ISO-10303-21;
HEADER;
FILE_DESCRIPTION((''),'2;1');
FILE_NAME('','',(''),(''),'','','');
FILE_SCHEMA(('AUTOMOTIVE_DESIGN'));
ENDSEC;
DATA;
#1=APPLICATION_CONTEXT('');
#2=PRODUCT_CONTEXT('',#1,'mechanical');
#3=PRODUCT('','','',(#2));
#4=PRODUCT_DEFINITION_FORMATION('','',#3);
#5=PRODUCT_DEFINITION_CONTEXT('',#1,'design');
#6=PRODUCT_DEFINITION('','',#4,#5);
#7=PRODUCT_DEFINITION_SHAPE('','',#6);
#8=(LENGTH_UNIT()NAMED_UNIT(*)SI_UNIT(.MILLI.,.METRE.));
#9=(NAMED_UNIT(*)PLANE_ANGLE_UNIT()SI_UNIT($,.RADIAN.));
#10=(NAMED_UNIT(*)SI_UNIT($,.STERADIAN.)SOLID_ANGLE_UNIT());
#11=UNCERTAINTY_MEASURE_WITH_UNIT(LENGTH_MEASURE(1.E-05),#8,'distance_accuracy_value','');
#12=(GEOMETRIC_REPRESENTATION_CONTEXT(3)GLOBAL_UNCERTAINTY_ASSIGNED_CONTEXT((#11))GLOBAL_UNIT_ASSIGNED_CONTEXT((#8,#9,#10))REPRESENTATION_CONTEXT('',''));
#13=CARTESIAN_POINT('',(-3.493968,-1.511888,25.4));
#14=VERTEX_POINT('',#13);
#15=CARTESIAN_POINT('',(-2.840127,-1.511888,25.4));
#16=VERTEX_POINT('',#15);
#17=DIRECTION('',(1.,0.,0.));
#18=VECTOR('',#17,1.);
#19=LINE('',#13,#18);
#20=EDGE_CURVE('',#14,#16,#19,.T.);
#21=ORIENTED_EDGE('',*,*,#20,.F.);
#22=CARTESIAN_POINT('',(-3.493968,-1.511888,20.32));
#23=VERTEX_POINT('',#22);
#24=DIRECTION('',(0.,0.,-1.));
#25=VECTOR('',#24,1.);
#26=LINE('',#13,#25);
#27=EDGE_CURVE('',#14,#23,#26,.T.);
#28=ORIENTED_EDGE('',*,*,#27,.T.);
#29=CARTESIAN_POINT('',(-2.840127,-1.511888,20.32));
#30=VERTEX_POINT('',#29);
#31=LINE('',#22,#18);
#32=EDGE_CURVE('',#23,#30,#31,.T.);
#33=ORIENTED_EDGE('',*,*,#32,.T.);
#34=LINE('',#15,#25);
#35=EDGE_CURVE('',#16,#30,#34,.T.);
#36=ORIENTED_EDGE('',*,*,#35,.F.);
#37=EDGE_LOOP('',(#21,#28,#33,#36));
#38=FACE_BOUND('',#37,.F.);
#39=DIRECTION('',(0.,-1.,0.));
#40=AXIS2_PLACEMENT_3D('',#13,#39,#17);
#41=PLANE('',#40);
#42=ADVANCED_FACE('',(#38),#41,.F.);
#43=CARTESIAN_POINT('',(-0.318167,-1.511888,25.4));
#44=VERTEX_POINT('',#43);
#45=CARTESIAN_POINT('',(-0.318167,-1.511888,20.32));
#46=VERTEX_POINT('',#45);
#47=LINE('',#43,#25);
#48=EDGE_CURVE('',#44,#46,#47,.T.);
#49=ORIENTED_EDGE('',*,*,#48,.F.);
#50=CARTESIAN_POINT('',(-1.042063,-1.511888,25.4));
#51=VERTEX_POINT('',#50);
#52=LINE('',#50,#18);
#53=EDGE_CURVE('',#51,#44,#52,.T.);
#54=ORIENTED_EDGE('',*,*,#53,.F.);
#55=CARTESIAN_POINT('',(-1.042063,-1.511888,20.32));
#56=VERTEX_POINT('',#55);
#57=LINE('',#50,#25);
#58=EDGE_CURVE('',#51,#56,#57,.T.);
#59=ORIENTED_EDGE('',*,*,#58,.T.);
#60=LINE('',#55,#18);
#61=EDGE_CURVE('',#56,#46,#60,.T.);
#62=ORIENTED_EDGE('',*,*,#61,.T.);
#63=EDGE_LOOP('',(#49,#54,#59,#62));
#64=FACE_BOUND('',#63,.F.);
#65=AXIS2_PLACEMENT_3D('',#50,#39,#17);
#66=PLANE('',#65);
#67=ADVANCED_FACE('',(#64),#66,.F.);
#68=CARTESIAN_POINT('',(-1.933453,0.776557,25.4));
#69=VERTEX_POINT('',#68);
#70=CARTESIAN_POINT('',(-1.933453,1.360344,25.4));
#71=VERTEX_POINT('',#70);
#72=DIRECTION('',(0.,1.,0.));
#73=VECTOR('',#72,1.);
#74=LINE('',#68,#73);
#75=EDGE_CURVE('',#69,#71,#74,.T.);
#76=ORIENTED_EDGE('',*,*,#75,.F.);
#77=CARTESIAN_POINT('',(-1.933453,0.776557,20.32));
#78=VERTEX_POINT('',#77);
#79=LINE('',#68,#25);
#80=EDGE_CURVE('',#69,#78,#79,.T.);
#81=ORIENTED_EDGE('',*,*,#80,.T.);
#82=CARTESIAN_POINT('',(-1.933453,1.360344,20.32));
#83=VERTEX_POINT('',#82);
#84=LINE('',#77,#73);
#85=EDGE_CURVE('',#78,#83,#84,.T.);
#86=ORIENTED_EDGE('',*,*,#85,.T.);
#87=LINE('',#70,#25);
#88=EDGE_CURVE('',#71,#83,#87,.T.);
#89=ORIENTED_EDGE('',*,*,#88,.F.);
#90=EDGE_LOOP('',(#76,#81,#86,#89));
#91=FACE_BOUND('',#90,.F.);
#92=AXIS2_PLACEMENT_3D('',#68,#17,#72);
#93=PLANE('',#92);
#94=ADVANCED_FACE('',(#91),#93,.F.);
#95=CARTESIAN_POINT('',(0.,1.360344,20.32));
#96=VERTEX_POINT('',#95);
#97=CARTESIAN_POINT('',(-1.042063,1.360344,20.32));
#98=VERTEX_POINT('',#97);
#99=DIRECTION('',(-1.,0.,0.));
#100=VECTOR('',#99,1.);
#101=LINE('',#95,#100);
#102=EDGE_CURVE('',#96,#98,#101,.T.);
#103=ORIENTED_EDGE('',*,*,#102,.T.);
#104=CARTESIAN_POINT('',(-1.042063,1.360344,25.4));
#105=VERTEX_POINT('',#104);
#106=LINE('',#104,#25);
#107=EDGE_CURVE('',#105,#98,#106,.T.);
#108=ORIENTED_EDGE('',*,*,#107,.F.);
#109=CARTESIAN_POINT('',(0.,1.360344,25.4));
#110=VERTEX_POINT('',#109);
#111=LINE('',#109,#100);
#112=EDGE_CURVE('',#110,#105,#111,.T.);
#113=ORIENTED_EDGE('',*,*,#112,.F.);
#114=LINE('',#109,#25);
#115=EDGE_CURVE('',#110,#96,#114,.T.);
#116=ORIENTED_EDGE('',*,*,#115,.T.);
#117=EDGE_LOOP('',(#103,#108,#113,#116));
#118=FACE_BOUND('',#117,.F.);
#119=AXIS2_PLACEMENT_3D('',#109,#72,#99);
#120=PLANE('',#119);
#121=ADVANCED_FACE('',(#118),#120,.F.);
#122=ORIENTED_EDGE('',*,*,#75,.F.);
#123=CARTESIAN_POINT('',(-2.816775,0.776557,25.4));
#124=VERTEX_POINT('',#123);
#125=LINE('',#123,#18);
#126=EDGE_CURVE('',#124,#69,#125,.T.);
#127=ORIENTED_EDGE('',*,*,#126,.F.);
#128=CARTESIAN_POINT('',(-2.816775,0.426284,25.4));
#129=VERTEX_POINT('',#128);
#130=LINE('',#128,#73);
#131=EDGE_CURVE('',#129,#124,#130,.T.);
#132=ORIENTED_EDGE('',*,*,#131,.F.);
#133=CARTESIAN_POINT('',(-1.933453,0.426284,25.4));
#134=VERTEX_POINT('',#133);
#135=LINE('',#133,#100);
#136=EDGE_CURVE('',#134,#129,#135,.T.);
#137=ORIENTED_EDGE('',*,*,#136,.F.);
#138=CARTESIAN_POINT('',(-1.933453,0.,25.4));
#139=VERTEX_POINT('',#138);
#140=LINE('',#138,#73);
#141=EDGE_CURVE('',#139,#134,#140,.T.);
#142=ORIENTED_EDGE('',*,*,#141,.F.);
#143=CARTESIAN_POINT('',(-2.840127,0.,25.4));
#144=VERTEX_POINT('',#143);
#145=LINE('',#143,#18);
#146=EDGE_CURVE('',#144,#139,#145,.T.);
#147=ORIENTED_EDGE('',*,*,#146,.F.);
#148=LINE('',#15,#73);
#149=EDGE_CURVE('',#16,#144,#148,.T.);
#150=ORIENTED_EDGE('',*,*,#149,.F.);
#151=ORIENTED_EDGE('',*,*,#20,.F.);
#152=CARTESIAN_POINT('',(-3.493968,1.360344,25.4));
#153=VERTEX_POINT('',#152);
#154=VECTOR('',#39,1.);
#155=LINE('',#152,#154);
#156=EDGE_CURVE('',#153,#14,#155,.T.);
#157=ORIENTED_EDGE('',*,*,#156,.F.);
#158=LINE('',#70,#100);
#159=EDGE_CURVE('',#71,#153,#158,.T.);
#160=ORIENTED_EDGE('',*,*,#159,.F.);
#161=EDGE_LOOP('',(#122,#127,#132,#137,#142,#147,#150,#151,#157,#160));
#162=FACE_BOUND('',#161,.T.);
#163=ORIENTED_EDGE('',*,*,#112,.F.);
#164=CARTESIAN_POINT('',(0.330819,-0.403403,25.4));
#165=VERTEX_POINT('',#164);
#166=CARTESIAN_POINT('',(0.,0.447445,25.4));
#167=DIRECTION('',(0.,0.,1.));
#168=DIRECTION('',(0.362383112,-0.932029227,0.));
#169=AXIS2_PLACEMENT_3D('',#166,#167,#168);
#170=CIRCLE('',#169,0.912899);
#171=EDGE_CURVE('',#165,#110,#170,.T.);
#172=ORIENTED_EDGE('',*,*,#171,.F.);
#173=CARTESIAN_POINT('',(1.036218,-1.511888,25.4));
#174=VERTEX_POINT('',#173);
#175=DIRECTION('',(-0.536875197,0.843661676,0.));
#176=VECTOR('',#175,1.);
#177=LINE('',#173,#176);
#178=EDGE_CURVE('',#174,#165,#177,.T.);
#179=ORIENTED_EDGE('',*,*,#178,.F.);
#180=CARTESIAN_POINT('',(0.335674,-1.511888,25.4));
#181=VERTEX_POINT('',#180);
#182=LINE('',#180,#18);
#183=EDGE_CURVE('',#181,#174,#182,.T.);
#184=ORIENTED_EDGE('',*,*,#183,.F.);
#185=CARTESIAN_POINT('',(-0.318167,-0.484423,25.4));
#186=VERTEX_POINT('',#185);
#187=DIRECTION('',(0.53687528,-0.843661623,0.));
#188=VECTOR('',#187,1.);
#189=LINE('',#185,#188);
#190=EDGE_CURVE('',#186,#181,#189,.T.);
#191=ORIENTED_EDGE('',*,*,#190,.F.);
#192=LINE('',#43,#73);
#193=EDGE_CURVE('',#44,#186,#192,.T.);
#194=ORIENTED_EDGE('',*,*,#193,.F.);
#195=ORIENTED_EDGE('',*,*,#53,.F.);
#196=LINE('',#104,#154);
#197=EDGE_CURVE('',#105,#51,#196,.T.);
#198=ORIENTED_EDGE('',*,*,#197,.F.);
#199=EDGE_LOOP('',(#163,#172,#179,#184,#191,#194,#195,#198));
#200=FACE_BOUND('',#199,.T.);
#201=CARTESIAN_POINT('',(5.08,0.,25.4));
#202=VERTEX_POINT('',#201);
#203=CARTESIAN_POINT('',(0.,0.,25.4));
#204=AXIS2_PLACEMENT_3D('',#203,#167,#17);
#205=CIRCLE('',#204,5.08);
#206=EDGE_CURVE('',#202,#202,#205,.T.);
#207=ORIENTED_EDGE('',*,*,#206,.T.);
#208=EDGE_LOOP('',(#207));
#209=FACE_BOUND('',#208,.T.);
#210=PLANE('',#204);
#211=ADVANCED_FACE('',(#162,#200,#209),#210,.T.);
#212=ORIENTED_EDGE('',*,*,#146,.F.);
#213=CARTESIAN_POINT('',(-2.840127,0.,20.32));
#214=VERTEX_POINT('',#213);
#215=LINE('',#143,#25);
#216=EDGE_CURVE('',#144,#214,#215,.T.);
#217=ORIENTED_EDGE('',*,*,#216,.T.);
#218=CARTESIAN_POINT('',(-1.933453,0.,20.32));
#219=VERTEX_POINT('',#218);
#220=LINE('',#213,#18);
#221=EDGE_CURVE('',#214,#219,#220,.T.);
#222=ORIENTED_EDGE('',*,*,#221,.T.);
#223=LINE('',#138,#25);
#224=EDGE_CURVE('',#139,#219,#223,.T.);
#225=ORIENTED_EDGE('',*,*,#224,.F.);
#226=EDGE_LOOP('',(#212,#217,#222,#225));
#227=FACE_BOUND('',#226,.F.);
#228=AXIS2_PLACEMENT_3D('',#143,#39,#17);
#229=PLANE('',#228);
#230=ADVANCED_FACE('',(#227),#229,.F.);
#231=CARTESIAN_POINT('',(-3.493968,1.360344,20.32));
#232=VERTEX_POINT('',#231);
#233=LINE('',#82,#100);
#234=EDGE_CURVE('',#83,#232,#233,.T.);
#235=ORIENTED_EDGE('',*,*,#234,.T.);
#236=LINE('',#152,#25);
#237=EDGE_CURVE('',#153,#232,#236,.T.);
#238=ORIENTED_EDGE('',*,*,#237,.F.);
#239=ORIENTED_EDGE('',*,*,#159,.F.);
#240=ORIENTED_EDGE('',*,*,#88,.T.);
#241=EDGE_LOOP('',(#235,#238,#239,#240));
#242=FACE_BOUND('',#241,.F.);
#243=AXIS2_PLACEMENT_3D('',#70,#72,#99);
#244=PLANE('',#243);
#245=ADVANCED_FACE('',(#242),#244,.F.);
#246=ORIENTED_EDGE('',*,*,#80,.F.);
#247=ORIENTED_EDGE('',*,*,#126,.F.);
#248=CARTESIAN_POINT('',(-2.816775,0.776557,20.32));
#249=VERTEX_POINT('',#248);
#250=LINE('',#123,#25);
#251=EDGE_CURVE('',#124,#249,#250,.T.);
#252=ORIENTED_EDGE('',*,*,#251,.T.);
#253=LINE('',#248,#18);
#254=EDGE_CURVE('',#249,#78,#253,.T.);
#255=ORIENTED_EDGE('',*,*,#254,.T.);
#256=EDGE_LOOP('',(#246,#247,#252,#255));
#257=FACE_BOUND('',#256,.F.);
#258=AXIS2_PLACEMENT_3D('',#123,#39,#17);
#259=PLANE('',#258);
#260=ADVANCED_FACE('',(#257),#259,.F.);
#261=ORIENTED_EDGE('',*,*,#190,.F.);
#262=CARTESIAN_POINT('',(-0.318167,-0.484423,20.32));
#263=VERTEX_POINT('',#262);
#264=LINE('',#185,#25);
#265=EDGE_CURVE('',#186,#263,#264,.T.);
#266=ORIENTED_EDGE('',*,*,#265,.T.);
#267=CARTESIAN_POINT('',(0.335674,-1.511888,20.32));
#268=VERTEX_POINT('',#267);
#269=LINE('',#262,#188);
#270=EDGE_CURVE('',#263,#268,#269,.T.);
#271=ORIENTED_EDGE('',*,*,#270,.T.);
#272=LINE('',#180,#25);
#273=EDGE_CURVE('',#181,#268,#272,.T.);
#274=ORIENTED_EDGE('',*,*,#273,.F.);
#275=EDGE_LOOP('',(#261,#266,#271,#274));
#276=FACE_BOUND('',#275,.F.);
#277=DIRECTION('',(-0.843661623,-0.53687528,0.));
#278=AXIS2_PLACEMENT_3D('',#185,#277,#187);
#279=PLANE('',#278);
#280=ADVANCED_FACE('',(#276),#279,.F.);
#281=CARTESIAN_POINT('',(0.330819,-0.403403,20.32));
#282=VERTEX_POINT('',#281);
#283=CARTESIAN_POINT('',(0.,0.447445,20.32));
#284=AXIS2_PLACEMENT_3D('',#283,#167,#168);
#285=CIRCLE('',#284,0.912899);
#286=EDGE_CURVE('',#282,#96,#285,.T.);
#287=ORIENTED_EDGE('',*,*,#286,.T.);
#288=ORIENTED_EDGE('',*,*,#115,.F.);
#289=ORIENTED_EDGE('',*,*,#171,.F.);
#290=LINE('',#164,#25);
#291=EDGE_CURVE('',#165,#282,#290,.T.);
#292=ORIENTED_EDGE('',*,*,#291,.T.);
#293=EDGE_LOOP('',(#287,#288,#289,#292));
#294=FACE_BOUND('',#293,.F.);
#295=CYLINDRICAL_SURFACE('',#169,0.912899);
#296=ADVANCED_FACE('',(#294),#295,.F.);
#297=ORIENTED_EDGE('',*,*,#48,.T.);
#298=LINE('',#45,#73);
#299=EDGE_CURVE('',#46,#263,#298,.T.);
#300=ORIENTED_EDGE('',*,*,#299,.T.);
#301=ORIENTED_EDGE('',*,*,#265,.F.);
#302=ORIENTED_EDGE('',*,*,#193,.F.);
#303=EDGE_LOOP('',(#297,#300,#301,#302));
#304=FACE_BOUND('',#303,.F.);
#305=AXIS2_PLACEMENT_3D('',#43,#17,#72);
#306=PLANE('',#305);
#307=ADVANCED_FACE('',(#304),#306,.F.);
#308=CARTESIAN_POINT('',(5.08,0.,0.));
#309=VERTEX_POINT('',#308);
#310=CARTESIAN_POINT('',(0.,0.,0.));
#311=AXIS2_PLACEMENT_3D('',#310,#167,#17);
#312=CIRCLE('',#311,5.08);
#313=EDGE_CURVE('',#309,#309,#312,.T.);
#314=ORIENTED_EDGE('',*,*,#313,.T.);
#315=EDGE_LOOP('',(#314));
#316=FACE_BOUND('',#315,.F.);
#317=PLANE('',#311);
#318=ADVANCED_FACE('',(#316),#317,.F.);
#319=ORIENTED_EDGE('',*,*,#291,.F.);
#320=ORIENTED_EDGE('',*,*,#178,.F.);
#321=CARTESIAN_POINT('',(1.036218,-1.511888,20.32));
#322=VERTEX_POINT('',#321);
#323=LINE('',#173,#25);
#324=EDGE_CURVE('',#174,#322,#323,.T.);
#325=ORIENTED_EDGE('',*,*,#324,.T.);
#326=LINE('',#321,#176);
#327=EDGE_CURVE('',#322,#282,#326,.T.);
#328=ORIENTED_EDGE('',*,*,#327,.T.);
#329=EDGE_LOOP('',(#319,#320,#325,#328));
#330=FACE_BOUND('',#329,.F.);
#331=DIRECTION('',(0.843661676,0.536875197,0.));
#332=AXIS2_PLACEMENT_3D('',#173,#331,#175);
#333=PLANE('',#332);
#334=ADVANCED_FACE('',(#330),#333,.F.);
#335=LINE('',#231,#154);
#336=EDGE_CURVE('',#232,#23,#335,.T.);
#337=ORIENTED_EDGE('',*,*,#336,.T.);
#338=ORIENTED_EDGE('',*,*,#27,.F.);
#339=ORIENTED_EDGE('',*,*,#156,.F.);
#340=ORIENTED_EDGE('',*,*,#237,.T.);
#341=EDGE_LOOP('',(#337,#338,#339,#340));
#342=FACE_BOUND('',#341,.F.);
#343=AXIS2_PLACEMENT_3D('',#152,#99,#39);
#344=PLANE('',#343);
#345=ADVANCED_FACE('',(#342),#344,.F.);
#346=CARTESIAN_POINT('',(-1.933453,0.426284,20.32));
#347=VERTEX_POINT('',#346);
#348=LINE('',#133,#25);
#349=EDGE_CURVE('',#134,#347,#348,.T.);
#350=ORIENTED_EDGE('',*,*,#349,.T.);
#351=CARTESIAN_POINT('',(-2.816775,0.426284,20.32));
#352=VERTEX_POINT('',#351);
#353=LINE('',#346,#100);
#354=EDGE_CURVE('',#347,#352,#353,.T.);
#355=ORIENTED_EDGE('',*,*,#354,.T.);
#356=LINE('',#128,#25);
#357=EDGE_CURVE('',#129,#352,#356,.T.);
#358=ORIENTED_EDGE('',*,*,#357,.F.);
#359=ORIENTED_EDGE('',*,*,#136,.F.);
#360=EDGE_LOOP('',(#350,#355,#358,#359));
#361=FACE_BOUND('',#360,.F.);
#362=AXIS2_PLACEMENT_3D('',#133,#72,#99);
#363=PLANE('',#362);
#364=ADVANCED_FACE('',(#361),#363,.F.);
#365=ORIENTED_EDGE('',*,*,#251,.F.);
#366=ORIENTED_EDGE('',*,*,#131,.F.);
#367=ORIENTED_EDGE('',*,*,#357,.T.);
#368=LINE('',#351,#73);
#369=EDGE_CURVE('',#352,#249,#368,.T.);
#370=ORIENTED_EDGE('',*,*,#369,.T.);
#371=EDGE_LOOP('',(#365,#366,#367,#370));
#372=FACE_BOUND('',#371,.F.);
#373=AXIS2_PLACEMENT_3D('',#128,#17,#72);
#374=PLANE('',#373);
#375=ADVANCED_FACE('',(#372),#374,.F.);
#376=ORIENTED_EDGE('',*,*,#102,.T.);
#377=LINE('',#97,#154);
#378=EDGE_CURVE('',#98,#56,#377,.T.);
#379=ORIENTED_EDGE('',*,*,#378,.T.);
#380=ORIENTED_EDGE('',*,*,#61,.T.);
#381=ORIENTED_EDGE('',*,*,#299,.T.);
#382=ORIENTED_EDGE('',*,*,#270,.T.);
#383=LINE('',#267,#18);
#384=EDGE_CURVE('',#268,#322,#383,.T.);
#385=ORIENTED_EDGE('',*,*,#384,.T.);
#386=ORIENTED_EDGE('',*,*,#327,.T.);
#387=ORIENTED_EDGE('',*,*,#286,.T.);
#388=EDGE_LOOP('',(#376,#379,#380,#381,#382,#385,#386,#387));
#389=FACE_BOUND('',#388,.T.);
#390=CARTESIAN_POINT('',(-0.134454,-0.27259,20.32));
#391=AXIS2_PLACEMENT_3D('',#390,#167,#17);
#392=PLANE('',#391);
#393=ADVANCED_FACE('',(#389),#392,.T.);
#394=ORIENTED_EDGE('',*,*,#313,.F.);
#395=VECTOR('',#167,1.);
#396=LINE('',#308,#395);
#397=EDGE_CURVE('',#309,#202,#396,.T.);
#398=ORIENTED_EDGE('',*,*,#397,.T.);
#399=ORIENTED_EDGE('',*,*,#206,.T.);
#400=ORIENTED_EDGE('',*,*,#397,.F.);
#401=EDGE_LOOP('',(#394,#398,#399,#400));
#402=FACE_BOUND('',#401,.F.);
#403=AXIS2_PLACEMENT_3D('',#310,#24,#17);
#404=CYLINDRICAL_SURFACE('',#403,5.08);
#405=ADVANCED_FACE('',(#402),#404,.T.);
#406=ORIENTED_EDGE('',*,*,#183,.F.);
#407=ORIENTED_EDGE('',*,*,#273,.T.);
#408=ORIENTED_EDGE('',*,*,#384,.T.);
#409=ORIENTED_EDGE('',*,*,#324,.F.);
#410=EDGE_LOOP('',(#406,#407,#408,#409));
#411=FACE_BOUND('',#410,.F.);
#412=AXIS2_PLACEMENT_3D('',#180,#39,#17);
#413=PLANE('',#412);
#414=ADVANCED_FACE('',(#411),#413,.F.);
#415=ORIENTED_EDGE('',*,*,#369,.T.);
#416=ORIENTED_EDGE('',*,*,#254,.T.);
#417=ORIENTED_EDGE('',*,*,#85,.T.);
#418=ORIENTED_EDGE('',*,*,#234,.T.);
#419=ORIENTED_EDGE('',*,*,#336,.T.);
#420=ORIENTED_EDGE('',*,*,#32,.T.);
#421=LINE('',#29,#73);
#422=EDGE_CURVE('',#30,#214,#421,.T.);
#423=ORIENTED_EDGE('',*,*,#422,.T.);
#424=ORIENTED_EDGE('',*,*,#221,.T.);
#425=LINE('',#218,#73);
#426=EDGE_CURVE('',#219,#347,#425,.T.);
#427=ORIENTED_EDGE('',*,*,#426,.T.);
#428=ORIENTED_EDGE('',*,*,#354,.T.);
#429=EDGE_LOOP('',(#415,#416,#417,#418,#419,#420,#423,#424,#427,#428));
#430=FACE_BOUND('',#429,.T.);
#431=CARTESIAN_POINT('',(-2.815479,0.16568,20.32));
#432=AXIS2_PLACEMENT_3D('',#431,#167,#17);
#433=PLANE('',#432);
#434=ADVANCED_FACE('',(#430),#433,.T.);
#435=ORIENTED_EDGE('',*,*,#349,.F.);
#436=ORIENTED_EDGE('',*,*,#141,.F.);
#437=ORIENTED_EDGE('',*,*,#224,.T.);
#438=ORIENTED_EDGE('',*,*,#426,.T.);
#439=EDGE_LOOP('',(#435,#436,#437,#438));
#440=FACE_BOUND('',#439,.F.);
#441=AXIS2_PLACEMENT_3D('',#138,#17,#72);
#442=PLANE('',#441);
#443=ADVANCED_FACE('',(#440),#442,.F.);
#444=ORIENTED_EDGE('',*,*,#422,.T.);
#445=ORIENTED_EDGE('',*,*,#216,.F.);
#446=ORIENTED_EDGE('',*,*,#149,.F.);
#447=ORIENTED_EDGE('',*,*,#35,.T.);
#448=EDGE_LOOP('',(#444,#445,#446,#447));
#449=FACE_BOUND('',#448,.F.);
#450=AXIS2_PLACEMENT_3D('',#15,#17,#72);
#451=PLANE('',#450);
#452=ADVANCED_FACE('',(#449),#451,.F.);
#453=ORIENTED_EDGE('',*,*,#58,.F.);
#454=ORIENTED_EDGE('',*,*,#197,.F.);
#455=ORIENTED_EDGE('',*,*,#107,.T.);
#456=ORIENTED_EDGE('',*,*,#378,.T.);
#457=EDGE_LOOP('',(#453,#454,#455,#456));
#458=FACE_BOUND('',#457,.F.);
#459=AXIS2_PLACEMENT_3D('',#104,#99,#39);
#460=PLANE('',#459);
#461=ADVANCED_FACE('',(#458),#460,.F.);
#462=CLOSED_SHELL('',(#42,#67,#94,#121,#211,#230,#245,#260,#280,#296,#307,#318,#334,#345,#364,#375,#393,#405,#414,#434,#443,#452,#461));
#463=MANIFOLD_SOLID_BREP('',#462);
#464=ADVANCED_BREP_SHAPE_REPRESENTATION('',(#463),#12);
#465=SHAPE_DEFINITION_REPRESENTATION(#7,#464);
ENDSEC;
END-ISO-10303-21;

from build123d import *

# Parameters (mm, degrees)
F0_R     = 5.08
F1_DEPTH = 25.4
F3_DEPTH = 5.08


with BuildPart() as f1:
    # F0 (on Top) → F1 (new body)
    with BuildSketch(Plane.XY):
        Circle(F0_R)
    extrude(amount=F1_DEPTH)

    # F2 (on face) → F3 (cut)
    with BuildSketch(Plane.XY.offset(25.4)):
        Polygon((-3.493968, 1.360344), (-3.493968, -1.511888), (-2.840127, -1.511888), (-2.840127, 0), (-1.933453, 0), (-1.933453, 0.426284), (-2.816775, 0.426284), (-2.816775, 0.776557), (-1.933453, 0.776557), (-1.933453, 1.360344), align=None)
        with BuildLine():
            Line((0, 1.360344), (-1.042063, 1.360344))
            Line((-1.042063, 1.360344), (-1.042063, -1.511888))
            Line((-1.042063, -1.511888), (-0.318167, -1.511888))
            Line((-0.318167, -1.511888), (-0.318167, -0.484423))
            Line((-0.318167, -0.484423), (0.335674, -1.511888))
            Line((0.335674, -1.511888), (1.036218, -1.511888))
            Line((1.036218, -1.511888), (0.330819, -0.403403))
            ThreePointArc((0.330819, -0.403403), (0.897252, 0.615739), (0, 1.360344))
        make_face()
    extrude(amount=-F3_DEPTH, mode=Mode.SUBTRACT)


solid = f1.part
